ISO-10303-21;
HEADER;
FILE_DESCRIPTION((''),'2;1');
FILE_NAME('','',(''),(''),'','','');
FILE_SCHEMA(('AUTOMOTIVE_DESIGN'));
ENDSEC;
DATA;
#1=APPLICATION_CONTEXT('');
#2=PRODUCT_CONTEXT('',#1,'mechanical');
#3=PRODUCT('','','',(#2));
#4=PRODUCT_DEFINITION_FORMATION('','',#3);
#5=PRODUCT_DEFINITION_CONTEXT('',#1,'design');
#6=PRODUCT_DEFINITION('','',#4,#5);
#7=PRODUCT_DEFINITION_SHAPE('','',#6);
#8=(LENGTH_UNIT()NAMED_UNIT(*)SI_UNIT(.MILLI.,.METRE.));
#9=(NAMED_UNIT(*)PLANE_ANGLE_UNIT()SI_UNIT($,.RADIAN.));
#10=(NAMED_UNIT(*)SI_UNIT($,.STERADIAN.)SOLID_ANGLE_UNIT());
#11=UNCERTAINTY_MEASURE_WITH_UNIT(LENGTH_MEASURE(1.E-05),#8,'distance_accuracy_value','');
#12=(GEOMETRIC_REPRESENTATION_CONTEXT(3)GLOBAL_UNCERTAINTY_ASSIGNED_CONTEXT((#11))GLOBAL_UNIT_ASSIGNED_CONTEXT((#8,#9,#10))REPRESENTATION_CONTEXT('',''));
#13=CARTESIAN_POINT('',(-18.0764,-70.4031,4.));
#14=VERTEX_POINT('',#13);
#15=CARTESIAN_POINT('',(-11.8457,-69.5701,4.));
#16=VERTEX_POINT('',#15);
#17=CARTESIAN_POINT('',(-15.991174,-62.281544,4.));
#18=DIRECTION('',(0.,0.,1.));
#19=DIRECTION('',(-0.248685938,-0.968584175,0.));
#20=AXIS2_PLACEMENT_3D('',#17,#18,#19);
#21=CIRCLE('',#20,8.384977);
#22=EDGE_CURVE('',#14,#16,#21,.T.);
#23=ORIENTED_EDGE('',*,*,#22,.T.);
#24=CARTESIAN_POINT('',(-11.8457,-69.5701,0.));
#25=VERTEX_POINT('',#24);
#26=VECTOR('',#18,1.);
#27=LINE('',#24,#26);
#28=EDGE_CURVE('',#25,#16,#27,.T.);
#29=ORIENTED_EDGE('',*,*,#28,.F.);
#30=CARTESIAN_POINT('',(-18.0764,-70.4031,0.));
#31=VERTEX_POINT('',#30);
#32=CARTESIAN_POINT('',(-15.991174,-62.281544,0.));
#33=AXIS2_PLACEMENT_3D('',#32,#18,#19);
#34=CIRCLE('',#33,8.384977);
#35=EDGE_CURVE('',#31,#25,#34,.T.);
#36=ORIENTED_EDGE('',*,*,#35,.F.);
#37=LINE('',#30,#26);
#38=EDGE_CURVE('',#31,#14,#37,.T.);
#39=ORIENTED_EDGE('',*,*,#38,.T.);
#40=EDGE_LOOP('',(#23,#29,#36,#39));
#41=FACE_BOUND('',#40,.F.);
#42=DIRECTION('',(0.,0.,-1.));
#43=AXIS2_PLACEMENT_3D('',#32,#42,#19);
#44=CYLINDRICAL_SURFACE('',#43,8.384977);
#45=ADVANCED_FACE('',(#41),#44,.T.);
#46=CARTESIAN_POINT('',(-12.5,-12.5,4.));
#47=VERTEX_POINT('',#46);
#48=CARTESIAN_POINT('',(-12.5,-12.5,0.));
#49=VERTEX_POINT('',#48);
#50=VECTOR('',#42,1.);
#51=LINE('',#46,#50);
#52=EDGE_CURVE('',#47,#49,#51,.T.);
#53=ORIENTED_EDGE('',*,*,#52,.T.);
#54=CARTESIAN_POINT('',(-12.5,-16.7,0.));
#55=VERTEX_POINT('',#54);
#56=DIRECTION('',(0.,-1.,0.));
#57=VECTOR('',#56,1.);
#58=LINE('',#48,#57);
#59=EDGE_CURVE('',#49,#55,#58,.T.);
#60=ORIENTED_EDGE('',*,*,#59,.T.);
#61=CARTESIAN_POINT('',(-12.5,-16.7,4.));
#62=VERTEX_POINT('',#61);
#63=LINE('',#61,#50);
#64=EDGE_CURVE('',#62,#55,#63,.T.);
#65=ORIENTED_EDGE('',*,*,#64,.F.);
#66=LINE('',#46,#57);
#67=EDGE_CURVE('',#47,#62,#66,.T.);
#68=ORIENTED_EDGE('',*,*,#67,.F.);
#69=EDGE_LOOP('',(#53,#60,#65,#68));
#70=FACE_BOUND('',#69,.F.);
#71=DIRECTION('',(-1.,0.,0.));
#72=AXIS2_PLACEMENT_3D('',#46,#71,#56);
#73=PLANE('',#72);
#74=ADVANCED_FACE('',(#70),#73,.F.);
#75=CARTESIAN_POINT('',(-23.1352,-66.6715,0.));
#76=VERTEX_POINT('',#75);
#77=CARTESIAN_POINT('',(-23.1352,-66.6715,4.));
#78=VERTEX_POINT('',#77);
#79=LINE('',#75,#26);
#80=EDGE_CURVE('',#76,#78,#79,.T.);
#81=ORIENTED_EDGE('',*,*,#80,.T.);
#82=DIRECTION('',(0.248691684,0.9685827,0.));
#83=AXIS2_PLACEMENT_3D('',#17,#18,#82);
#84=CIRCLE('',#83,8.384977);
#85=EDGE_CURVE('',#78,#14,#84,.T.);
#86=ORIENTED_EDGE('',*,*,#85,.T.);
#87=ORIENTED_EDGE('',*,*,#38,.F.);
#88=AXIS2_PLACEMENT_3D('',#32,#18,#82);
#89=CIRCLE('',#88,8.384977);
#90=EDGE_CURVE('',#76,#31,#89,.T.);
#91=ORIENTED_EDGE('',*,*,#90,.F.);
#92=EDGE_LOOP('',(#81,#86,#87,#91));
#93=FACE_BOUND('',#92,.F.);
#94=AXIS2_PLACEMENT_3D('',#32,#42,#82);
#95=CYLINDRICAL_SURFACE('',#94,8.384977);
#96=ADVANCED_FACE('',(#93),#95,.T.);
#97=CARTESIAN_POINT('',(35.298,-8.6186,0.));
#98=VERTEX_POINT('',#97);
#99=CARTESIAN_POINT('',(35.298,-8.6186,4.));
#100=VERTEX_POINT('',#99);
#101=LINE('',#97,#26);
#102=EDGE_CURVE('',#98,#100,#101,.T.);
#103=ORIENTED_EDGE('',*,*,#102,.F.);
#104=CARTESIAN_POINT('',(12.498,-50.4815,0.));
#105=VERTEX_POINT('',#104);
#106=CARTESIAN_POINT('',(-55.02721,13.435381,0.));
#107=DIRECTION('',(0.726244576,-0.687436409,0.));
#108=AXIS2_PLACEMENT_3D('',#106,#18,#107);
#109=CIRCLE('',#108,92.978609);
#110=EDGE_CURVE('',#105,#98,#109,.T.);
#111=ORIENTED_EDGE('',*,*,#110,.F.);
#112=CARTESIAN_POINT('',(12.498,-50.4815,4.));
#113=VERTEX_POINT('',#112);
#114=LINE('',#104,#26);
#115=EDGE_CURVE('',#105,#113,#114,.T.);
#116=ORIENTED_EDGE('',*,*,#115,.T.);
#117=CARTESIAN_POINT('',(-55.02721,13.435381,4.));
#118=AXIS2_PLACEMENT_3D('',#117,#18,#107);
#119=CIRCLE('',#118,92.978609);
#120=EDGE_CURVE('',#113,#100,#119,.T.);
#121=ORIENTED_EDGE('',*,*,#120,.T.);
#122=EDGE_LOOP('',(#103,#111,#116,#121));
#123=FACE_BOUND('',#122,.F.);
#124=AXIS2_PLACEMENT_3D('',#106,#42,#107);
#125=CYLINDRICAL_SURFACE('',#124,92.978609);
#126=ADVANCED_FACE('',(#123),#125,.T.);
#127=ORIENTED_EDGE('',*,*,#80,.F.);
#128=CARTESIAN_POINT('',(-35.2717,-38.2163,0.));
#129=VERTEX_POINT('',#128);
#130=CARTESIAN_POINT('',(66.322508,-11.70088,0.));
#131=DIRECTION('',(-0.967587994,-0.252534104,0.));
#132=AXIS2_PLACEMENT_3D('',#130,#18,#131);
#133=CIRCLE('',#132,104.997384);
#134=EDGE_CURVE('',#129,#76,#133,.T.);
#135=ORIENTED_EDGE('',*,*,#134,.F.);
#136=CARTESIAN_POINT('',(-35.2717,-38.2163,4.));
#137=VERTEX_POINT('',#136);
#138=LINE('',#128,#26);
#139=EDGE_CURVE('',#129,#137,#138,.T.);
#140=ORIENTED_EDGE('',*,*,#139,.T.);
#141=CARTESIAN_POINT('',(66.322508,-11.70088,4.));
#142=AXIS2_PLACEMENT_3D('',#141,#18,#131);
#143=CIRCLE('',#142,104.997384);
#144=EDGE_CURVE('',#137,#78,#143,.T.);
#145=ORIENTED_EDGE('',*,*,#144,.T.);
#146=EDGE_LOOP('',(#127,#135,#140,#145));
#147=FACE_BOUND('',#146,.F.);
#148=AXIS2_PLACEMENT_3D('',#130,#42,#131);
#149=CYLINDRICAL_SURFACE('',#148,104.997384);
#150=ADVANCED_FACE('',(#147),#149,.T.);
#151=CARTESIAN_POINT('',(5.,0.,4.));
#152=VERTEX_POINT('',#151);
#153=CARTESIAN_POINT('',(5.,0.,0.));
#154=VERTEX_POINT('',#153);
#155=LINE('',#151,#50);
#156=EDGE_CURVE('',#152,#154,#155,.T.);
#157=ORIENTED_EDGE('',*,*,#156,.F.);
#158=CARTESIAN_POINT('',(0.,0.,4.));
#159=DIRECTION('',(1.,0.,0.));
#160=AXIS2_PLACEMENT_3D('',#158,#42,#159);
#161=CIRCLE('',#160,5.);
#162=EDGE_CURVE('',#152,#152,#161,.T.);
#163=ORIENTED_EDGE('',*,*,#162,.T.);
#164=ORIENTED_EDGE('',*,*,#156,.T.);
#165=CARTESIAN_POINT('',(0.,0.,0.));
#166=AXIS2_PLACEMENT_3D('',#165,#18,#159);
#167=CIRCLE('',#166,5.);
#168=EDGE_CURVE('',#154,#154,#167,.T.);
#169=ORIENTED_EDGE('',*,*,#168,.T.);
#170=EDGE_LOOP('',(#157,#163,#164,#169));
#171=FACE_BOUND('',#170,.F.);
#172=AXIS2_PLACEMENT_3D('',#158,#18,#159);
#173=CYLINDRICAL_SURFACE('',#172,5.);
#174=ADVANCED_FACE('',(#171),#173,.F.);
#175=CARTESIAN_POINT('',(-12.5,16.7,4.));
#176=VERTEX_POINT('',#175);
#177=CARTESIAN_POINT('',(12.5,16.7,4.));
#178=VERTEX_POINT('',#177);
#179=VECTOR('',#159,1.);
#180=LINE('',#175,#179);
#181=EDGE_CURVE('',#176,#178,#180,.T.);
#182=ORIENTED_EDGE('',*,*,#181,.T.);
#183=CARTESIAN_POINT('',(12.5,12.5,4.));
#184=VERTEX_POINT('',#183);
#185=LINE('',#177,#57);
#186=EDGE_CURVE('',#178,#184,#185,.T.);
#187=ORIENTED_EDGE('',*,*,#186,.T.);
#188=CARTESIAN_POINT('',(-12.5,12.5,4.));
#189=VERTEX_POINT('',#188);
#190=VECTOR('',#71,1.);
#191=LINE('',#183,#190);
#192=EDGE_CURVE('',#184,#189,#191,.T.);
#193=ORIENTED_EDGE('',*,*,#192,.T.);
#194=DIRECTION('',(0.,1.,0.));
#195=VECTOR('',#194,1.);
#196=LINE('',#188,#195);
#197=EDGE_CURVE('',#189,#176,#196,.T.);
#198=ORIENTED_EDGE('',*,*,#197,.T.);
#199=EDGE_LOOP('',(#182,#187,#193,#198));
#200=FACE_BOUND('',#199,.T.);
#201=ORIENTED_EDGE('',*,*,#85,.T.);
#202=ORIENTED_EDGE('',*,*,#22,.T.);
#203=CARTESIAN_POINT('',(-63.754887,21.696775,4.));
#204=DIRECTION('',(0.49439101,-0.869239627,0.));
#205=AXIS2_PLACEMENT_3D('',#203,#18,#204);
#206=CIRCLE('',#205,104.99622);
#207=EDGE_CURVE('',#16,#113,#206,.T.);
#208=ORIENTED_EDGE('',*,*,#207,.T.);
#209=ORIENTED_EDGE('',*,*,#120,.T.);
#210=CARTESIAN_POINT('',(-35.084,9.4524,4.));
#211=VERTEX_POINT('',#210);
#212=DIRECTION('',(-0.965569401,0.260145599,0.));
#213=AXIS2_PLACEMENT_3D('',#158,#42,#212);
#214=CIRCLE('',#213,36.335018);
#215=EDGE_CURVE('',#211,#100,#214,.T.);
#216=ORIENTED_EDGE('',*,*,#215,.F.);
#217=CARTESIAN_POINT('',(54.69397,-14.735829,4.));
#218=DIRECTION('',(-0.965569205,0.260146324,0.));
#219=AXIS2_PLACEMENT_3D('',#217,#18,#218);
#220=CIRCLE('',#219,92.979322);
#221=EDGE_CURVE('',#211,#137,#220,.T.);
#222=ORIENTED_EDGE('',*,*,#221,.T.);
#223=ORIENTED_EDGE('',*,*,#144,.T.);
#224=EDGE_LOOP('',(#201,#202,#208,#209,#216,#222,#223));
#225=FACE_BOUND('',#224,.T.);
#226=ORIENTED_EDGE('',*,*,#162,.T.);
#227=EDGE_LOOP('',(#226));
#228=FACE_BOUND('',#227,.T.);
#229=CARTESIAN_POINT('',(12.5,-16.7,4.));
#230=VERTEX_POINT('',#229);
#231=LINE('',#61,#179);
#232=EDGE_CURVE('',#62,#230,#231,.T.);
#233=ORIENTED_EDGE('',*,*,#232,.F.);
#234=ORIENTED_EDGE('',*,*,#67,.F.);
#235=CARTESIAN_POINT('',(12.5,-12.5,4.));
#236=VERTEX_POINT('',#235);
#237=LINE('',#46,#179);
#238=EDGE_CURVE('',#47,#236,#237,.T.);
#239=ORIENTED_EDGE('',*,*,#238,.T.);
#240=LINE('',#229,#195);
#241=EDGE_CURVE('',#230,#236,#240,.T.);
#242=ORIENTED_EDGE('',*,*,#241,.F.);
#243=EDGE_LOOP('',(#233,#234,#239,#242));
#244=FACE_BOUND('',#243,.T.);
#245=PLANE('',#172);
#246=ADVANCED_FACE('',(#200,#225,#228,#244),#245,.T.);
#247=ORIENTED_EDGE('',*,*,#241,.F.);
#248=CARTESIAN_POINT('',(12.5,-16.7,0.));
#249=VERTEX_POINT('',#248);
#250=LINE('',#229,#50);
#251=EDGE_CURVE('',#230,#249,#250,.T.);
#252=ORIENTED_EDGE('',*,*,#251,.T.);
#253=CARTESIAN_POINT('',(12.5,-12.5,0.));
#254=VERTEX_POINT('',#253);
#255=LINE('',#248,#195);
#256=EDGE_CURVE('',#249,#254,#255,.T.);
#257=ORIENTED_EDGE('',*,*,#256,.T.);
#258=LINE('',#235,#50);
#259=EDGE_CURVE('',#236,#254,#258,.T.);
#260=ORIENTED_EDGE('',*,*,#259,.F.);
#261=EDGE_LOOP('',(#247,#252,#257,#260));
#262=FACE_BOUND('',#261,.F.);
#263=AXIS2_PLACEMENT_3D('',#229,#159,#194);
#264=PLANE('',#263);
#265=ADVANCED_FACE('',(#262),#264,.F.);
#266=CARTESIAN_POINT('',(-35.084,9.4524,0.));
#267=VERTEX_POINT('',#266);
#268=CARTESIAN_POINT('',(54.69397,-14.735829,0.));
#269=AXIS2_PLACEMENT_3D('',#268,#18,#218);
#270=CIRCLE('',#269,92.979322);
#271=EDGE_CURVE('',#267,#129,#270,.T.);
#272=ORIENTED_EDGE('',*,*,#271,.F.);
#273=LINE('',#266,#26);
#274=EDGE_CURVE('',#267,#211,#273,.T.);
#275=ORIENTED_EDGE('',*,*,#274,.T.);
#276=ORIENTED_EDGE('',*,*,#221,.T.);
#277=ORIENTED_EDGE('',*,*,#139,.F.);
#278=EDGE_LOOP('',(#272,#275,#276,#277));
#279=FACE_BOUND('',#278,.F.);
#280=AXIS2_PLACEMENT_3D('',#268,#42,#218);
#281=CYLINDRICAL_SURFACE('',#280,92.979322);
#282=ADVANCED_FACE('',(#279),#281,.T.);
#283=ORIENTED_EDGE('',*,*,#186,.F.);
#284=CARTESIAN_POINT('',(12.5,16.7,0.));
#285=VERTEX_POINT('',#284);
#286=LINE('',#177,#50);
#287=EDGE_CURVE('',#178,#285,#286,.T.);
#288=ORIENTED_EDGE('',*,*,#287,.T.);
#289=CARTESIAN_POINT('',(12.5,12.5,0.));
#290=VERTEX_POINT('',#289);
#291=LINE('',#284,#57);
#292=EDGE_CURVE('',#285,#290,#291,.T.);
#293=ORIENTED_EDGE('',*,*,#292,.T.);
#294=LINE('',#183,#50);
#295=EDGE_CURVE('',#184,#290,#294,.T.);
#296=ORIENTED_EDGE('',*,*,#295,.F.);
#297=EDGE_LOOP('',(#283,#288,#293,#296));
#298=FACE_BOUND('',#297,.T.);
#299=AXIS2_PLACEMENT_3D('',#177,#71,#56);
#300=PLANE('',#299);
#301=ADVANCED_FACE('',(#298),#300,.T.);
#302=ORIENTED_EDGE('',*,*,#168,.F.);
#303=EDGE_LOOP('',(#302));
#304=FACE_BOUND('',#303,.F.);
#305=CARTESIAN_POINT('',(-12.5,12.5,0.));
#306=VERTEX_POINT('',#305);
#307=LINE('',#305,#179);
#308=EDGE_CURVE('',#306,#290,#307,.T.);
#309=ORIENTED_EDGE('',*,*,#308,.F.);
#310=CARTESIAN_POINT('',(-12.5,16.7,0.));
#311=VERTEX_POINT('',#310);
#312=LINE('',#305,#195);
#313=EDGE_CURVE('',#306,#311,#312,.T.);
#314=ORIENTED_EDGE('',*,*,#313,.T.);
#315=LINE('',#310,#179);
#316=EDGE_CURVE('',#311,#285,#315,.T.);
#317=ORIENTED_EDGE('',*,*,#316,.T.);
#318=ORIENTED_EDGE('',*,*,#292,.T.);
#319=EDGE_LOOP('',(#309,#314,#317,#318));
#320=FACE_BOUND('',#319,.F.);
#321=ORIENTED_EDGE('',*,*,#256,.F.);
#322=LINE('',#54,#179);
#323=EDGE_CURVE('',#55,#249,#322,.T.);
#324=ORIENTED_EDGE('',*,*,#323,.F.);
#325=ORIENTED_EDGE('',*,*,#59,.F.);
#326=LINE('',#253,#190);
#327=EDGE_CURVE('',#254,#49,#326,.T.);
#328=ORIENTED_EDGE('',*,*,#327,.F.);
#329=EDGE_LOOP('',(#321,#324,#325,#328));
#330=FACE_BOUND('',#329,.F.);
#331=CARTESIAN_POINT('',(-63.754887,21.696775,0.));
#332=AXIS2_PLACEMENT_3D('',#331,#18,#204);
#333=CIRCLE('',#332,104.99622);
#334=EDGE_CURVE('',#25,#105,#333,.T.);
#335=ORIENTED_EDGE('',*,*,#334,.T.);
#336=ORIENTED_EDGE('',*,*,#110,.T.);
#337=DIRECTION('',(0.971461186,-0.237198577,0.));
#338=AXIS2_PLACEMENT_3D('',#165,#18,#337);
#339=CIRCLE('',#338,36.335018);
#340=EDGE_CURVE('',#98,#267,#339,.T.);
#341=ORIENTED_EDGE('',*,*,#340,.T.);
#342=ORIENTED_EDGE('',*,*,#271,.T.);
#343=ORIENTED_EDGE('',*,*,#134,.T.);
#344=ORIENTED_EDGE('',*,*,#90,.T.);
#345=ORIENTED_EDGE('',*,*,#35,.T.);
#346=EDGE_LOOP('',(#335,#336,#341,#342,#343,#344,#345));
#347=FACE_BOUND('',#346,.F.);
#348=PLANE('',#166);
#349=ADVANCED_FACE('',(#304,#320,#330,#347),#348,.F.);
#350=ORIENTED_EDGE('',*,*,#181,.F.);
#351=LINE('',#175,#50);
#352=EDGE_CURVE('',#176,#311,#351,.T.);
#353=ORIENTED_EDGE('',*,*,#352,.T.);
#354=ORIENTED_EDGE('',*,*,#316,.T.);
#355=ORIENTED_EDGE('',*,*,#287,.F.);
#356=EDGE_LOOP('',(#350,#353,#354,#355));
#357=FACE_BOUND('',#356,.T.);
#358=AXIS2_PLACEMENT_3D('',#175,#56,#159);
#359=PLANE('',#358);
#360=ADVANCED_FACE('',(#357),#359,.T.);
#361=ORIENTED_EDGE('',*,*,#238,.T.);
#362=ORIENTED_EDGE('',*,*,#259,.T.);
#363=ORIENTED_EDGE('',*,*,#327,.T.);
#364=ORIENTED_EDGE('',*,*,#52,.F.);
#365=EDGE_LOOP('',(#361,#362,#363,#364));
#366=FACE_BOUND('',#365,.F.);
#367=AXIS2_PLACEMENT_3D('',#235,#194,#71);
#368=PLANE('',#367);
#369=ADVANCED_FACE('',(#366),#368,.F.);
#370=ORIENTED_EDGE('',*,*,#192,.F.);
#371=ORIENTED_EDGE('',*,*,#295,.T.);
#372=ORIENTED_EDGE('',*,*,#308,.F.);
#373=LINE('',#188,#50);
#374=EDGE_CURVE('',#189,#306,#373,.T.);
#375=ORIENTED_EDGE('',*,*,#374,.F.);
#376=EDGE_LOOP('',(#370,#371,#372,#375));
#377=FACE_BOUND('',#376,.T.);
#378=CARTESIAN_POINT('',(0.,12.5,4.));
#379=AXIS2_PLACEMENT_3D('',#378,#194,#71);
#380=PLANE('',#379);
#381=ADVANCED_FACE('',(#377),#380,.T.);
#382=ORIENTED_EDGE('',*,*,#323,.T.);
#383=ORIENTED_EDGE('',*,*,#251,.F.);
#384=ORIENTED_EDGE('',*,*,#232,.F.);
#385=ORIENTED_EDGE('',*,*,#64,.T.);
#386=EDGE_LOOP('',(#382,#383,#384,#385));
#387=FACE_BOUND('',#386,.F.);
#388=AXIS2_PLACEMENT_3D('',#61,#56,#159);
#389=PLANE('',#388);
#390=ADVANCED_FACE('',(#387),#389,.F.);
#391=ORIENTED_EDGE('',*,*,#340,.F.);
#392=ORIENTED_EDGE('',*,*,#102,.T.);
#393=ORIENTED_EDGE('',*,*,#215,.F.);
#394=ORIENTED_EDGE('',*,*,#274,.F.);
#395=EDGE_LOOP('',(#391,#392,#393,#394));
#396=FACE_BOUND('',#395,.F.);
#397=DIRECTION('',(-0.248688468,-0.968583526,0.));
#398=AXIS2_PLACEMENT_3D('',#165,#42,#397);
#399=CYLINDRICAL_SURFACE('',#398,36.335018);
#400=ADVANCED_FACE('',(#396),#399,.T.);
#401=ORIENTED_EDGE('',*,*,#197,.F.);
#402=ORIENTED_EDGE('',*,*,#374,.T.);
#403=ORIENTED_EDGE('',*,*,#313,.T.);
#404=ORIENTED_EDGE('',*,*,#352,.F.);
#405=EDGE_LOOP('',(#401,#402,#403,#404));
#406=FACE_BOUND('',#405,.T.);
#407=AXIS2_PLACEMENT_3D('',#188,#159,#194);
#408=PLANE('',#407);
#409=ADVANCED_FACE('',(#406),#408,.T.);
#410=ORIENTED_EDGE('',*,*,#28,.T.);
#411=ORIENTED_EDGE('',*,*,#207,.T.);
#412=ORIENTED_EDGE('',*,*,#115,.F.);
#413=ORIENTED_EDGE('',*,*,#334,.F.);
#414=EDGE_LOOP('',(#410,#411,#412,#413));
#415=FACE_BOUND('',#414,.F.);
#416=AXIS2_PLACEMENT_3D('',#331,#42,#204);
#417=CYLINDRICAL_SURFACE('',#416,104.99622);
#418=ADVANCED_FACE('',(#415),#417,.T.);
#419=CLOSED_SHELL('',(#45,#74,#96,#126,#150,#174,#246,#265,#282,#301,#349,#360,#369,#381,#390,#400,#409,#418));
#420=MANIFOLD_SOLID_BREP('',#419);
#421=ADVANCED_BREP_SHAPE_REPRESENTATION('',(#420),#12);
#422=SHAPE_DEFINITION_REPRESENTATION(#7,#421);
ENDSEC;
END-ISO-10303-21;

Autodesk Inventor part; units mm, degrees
ref_plane "YZ Plane" through (0, 0, 0) normal (1, 0, 0) x (0, 1, 0)
ref_plane "XZ Plane" through (0, 0, 0) normal (0, 1, 0) x (-1, 0, 0)
ref_plane "XY Plane" through (0, 0, 0) normal (0, 0, 1) x (1, 0, 0)
sketch "Boceto1" plane through (0, 0, 0) normal (0, 0, 1) x (1, 0, 0)
  arc A0 (9.0361, 35.1935) -> (-9.0361, -35.1935) centre (0, 0) ccw
  arc A1 (-13.9059, -54.16) -> (-18.0764, -70.4031) centre (-15.9912, -62.2815) ccw
  line L0 (-18.6802, -72.7545) -> (-26.8018, -70.6693)
  line L1 (-35.084, 9.4524) -> (-48.6199, 12.9279)
  line L2 (-48.6199, 12.9279) -> (-26.8018, -70.6693)
  line L3 (-26.8018, -70.6693) -> (-35.2717, -38.2163)
  arc A2 (-35.084, 9.4524) -> (-35.2717, -38.2163) centre (54.6945, -14.7359) ccw
  arc A3 (-35.2717, -38.2163) -> (-23.1352, -66.6715) centre (66.3204, -11.7016) ccw
  line L4 (0.6951, 2.7072) -> (9.0361, 35.1935)
  line L5 (-0.6951, -2.7072) -> (-18.6802, -72.7545)
  arc A4 (-9.0361, -35.1935) -> (9.0361, 35.1935) centre (0, 0) ccw
  arc A5 (-18.0764, -70.4031) -> (-13.9059, -54.16) centre (-15.9912, -62.2815) ccw
  line L6 (-18.6802, -72.7545) -> (-10.5586, -74.8398)
  line L7 (35.298, -8.6186) -> (48.834, -12.0941)
  line L8 (48.834, -12.0941) -> (-10.5586, -74.8398)
  line L9 (-10.5586, -74.8398) -> (12.498, -50.4815)
  arc A6 (12.498, -50.4815) -> (35.298, -8.6186) centre (-55.0282, 13.4361) ccw
  arc A7 (-11.8457, -69.5701) -> (12.498, -50.4815) centre (-63.7543, 21.6959) ccw
  dimension "d0" = 72.67
  dimension "d6" = 16.77
  dimension "d7" = 8.385
  dimension "d8" = 13.975
  dimension "d9" = 33.54
extrude "Extrusión2" add sketch "Boceto1" along normal blind 4 contours A4 A0 | A0 L5 A1 A3 A2 | A6 A7 A5 L5 A4 | L5 A1 | A5 L5
sketch "Boceto2" plane through (0, 0, 4) normal (0, 0, 1) x (1, 0, 0)
  line L0 (0, 0) -> (0, 12.5)
  line L1 (0, 12.5) -> (-12.5, 12.5)
  line L2 (-12.5, 12.5) -> (-12.5, 16.7)
  line L3 (-12.5, 16.7) -> (12.5, 16.7)
  line L4 (12.5, 16.7) -> (12.5, 12.5)
  line L5 (12.5, 12.5) -> (0, 12.5)
  line L6 (0, 0) -> (12.5, 0)
  line L7 (0, 0) -> (0, -12.5)
  line L8 (0, -12.5) -> (-12.5, -12.5)
  line L9 (-12.5, -12.5) -> (-12.5, -16.7)
  line L10 (-12.5, -16.7) -> (12.5, -16.7)
  line L11 (12.5, -16.7) -> (12.5, -12.5)
  line L12 (12.5, -12.5) -> (0, -12.5)
  circle A0 centre (0, 0) radius 5
  dimension "d24" = 12.5
  dimension "d25" = 12.5
  dimension "d26" = 4.2
  dimension "d27" = 25
  dimension "d28" = 10
extrude "Extrusión3" cut sketch "Boceto2" against normal blind 4
properties part number "leva00" material "Madera (abedul)"
